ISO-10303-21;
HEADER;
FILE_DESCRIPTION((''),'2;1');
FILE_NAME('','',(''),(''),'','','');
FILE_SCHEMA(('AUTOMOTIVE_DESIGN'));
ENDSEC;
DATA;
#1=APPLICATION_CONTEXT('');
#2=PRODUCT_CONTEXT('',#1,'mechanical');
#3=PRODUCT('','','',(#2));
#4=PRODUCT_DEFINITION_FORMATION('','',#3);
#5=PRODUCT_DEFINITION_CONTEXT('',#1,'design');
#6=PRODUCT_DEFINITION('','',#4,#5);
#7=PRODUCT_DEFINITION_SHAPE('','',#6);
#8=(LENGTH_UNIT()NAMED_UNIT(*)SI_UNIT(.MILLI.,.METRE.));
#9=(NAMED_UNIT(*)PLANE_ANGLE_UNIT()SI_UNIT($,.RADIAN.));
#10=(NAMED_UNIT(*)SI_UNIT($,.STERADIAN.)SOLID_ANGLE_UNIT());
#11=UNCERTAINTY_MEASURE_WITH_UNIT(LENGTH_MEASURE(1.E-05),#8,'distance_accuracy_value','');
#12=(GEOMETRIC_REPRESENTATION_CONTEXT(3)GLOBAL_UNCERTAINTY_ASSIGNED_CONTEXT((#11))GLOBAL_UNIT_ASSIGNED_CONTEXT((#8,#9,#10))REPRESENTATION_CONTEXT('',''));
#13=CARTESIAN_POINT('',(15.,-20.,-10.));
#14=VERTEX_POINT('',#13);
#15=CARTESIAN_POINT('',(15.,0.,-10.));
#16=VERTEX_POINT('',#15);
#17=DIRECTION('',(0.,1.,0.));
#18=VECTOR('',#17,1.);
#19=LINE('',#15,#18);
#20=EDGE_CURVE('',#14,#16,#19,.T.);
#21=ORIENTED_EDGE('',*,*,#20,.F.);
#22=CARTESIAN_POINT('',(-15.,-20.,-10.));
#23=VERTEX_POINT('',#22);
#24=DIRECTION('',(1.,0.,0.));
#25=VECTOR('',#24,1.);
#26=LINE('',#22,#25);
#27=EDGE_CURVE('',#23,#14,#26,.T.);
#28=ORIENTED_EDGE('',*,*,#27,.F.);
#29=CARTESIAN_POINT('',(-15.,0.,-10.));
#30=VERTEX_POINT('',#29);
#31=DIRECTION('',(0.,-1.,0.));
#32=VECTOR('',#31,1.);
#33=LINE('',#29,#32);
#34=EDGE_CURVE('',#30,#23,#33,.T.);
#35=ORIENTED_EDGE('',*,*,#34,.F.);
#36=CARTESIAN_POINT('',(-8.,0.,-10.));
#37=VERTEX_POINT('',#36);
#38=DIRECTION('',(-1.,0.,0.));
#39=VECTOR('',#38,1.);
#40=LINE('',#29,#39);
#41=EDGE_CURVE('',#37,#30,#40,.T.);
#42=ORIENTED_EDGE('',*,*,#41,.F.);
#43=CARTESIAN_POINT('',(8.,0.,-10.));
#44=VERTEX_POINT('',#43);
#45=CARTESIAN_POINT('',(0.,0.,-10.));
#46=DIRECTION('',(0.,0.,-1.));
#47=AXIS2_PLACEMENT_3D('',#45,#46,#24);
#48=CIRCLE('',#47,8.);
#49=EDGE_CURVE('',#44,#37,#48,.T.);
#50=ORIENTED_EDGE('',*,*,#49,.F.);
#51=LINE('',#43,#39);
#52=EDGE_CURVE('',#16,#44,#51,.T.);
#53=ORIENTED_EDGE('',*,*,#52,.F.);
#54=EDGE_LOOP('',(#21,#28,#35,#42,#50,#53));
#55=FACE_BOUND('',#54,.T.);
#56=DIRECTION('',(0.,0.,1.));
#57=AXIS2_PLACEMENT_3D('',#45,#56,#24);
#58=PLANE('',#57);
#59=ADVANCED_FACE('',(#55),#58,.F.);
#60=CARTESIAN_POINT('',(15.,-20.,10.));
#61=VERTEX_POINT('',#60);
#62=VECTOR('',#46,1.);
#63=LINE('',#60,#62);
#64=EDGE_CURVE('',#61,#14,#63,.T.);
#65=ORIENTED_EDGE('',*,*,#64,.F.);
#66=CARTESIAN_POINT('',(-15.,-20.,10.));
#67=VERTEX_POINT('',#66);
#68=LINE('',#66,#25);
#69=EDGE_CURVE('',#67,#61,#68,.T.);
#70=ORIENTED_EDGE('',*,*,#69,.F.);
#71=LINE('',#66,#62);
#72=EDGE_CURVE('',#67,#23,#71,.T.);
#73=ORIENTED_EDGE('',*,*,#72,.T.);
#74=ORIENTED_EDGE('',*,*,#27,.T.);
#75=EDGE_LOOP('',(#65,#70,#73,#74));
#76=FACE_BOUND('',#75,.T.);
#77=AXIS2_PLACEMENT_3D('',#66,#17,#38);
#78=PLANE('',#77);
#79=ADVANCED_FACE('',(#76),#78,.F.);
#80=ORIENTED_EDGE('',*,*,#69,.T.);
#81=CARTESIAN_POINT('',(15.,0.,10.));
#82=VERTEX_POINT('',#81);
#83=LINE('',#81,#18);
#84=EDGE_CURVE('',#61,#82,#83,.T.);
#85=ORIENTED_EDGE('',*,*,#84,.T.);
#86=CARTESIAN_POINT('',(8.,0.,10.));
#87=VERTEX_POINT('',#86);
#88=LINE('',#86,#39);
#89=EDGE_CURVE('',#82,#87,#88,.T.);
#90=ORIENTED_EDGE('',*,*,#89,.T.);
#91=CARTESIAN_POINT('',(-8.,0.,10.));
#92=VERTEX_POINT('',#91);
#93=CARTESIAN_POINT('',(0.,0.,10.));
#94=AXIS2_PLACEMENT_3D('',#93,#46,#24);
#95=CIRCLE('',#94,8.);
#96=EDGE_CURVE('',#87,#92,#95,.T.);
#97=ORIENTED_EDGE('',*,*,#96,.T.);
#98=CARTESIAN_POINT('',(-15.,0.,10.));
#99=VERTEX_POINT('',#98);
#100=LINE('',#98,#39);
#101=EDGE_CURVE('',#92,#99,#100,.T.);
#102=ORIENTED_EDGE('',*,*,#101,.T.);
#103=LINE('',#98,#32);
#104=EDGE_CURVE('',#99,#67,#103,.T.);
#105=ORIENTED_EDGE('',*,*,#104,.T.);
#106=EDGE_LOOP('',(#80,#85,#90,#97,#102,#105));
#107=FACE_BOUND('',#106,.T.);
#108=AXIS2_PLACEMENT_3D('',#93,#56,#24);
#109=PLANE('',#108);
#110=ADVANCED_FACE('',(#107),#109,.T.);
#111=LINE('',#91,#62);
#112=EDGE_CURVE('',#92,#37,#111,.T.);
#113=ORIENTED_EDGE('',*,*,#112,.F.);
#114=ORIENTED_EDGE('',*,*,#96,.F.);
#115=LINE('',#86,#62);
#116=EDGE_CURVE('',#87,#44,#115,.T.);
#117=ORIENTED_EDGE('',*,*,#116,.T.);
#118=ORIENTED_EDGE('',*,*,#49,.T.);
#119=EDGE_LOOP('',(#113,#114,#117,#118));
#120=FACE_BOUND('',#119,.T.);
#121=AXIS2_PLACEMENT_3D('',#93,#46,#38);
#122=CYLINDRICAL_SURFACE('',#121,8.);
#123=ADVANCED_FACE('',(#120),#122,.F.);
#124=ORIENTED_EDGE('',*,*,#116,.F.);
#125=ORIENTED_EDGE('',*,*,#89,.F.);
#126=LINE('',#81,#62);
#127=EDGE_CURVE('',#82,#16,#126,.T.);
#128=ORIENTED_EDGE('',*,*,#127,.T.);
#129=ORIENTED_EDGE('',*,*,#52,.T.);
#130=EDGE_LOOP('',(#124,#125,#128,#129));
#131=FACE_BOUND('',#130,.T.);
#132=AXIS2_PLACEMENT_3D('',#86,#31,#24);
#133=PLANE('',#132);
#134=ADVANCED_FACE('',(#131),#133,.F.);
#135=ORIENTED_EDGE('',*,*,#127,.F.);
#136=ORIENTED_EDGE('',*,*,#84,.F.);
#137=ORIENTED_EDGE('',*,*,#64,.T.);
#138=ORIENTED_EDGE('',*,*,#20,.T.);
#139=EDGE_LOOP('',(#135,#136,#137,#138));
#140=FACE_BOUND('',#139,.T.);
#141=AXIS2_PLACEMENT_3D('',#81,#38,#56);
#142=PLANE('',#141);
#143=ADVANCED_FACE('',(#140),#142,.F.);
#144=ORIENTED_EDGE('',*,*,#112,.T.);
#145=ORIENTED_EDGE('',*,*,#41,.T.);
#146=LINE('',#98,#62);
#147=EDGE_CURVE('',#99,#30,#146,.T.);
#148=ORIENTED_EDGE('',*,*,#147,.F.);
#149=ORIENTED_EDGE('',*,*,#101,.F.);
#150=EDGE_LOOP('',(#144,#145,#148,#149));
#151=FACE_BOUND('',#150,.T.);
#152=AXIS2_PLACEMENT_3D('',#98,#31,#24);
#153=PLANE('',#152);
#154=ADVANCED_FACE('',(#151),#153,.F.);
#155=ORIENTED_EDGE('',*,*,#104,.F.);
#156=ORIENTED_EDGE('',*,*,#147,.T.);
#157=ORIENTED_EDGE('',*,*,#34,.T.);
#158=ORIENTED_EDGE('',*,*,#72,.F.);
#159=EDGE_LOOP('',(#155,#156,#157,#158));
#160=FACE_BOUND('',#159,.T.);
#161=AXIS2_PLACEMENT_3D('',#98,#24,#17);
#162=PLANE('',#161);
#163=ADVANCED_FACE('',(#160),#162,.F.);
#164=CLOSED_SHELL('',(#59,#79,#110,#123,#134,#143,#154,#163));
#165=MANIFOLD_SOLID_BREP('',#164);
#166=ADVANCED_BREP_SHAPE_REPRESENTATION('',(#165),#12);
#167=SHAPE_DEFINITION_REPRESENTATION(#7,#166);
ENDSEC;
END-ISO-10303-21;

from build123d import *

# Parameters (mm, degrees)
BOSS_EXTRUDE1_DEPTH = 10


with BuildPart() as part:
    # Sketch1 → Boss-Extrude1 (new, symmetric)
    with BuildSketch(Plane.XY):
        with BuildLine():
            Line((8, 0), (15, 0))
            Line((15, 0), (15, -20))
            Line((15, -20), (-15, -20))
            Line((-15, -20), (-15, 0))
            Line((-15, 0), (-8, 0))
            ThreePointArc((-8, 0), (0, -8), (8, 0))
        make_face()
    extrude(amount=BOSS_EXTRUDE1_DEPTH, both=True)


solid = part.part
